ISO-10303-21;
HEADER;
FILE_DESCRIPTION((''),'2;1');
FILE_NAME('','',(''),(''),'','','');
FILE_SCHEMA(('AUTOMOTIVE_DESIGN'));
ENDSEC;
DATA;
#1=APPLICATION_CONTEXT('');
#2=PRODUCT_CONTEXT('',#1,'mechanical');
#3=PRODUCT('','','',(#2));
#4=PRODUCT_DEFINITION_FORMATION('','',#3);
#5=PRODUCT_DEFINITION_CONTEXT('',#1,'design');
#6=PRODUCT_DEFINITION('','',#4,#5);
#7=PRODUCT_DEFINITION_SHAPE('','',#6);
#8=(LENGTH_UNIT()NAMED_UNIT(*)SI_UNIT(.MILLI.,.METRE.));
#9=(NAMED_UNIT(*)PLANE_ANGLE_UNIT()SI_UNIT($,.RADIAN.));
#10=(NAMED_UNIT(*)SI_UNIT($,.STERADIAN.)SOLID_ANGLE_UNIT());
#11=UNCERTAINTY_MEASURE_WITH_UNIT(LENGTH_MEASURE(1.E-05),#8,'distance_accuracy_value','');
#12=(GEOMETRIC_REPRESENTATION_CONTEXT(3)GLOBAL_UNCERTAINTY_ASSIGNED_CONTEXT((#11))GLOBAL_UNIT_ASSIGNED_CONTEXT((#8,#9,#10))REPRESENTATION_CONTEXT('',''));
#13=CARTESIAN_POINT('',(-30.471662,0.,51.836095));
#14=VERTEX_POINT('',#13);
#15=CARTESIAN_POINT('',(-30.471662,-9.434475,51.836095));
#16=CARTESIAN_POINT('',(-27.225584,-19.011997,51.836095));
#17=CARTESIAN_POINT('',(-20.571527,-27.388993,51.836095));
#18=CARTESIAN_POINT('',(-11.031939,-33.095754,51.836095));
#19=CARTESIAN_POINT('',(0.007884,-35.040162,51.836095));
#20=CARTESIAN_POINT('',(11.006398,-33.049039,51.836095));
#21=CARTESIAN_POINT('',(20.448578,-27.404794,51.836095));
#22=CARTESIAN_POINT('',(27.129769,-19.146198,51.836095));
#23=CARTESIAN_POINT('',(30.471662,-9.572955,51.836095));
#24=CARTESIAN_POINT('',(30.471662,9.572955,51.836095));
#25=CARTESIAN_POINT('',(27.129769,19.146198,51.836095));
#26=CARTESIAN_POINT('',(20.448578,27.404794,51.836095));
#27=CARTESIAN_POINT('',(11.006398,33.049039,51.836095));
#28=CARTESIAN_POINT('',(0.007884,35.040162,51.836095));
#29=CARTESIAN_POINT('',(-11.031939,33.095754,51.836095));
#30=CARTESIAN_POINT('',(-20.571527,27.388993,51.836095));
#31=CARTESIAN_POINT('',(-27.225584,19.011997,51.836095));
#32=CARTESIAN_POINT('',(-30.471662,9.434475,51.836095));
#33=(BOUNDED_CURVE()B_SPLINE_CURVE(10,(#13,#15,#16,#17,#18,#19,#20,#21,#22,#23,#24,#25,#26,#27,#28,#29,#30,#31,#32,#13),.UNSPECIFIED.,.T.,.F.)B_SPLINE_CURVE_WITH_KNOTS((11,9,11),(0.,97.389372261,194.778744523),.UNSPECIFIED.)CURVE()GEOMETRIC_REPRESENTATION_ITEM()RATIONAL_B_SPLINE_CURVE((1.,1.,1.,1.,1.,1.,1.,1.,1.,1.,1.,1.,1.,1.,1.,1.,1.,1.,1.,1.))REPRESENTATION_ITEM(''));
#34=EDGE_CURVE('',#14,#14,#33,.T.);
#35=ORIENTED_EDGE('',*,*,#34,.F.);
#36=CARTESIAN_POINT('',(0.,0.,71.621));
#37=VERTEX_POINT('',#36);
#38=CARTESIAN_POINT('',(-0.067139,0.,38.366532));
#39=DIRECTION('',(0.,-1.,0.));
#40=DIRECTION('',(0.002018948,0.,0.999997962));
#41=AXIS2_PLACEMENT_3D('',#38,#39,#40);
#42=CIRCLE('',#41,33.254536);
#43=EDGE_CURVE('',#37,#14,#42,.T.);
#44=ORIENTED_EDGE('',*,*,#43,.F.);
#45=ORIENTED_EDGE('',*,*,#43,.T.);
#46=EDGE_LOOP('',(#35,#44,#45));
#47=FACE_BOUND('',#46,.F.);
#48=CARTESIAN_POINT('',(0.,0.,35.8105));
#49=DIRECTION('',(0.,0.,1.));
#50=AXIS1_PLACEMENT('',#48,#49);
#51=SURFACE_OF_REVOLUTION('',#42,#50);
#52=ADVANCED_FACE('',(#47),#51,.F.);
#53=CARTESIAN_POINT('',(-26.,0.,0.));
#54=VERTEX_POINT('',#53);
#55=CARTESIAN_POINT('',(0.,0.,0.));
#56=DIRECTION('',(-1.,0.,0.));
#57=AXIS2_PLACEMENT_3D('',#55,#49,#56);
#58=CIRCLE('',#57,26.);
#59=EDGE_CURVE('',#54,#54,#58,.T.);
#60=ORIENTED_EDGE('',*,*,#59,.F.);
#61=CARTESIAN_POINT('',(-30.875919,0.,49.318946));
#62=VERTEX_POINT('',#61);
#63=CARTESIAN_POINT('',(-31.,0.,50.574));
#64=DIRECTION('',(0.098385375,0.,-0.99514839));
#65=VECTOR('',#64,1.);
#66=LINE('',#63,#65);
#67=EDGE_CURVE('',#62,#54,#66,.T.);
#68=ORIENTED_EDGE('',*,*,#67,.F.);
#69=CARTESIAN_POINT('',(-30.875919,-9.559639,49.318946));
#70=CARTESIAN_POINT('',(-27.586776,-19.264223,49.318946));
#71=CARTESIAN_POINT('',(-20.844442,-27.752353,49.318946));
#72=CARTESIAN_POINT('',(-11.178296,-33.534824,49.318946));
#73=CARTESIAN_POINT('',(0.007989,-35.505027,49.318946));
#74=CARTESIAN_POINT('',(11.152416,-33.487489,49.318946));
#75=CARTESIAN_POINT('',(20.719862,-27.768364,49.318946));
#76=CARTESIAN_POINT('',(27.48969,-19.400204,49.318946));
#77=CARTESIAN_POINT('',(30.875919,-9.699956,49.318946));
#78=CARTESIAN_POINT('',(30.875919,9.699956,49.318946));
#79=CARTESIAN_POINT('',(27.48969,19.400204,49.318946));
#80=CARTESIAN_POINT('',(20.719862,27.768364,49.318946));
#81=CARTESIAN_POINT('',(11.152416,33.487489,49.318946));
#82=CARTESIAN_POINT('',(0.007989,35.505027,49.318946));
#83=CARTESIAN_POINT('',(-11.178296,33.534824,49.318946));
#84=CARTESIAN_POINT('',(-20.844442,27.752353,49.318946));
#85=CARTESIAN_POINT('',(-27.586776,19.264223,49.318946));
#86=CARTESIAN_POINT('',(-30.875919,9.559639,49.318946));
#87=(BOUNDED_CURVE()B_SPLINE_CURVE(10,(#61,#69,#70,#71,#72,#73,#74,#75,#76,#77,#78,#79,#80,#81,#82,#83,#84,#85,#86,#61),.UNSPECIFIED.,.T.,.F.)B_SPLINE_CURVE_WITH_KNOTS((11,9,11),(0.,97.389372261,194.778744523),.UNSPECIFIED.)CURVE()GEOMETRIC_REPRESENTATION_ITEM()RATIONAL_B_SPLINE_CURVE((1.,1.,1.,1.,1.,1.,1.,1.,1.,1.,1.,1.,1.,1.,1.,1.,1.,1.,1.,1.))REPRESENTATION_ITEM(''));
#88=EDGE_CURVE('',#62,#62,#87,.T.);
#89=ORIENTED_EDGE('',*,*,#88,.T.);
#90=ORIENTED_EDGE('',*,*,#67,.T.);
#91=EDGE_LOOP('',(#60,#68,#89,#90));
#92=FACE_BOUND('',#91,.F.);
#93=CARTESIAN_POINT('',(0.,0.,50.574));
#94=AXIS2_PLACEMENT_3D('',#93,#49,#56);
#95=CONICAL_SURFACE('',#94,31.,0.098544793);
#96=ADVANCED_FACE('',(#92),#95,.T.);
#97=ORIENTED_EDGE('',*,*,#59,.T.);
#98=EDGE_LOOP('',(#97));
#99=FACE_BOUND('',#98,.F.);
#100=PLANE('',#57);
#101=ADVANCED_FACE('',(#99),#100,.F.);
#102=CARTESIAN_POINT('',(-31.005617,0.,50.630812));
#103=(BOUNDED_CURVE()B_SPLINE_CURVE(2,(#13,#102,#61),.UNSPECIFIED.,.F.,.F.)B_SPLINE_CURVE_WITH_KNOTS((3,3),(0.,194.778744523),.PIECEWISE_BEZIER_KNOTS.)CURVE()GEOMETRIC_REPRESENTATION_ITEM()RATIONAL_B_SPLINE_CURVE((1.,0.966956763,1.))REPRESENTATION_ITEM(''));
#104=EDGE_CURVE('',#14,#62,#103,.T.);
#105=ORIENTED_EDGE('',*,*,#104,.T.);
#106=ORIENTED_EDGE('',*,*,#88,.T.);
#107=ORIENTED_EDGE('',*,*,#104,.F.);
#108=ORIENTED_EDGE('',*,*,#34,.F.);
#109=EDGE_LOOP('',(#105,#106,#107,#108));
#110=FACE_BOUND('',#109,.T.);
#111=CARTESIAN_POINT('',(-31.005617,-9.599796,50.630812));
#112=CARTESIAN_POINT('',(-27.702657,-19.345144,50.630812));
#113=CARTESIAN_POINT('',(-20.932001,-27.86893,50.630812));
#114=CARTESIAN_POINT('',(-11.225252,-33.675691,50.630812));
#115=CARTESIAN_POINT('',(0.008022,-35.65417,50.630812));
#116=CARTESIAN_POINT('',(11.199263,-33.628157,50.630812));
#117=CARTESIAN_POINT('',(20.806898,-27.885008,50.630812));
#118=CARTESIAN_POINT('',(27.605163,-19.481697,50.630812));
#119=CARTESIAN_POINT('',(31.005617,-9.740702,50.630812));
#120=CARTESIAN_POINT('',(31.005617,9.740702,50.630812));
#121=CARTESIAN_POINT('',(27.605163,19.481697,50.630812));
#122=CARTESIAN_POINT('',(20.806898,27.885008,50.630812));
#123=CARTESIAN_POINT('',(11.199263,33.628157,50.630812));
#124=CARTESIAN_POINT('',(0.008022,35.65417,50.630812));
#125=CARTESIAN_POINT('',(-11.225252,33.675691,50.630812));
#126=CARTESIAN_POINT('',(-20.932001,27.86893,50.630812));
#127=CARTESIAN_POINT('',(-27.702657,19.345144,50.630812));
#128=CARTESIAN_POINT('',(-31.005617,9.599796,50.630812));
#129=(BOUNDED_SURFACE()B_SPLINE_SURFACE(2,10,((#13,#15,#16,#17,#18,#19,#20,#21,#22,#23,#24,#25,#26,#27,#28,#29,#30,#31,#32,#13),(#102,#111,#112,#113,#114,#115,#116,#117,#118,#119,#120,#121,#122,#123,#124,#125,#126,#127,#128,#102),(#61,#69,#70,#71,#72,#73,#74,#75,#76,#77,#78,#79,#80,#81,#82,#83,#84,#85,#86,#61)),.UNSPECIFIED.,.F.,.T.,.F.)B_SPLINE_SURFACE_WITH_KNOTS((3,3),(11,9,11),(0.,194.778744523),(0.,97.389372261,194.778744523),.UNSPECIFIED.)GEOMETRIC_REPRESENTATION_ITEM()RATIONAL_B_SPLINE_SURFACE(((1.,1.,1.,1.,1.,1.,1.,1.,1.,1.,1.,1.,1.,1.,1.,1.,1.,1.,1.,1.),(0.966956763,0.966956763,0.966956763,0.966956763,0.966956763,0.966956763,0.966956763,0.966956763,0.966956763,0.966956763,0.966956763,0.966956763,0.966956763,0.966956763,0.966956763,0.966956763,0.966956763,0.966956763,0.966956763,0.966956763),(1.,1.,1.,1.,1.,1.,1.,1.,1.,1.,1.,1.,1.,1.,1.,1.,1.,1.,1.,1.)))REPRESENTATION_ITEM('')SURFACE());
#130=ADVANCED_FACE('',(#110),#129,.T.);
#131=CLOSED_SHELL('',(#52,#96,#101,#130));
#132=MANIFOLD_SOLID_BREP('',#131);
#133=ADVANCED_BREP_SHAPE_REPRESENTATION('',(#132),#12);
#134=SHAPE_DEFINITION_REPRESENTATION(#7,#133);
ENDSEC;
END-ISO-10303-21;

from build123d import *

# Parameters (mm, degrees)
F2_R = 5


with BuildPart() as f1:
    # F0 (on Front) → F1 (revolve)
    with BuildSketch(Plane.XZ):
        with BuildLine():
            Line((-31, 50.574), (0, 50.574))
            Line((0, 50.574), (0, 71.621))
            ThreePointArc((0, 71.621), (-18.746466, 65.8792), (-31, 50.574))
        make_face()
        Polygon((-26, 0), (0, 0), (0, 50.574), (-31, 50.574), align=None)
    revolve(axis=Axis((0, 0, 35.8105), (0, 0, 1)))

    # F2
    f2_edges = [f1.edges().sort_by_distance(p)[0] for p in [
        (31, 0, 50.574),
    ]]
    fillet(f2_edges, radius=F2_R)


solid = f1.part
